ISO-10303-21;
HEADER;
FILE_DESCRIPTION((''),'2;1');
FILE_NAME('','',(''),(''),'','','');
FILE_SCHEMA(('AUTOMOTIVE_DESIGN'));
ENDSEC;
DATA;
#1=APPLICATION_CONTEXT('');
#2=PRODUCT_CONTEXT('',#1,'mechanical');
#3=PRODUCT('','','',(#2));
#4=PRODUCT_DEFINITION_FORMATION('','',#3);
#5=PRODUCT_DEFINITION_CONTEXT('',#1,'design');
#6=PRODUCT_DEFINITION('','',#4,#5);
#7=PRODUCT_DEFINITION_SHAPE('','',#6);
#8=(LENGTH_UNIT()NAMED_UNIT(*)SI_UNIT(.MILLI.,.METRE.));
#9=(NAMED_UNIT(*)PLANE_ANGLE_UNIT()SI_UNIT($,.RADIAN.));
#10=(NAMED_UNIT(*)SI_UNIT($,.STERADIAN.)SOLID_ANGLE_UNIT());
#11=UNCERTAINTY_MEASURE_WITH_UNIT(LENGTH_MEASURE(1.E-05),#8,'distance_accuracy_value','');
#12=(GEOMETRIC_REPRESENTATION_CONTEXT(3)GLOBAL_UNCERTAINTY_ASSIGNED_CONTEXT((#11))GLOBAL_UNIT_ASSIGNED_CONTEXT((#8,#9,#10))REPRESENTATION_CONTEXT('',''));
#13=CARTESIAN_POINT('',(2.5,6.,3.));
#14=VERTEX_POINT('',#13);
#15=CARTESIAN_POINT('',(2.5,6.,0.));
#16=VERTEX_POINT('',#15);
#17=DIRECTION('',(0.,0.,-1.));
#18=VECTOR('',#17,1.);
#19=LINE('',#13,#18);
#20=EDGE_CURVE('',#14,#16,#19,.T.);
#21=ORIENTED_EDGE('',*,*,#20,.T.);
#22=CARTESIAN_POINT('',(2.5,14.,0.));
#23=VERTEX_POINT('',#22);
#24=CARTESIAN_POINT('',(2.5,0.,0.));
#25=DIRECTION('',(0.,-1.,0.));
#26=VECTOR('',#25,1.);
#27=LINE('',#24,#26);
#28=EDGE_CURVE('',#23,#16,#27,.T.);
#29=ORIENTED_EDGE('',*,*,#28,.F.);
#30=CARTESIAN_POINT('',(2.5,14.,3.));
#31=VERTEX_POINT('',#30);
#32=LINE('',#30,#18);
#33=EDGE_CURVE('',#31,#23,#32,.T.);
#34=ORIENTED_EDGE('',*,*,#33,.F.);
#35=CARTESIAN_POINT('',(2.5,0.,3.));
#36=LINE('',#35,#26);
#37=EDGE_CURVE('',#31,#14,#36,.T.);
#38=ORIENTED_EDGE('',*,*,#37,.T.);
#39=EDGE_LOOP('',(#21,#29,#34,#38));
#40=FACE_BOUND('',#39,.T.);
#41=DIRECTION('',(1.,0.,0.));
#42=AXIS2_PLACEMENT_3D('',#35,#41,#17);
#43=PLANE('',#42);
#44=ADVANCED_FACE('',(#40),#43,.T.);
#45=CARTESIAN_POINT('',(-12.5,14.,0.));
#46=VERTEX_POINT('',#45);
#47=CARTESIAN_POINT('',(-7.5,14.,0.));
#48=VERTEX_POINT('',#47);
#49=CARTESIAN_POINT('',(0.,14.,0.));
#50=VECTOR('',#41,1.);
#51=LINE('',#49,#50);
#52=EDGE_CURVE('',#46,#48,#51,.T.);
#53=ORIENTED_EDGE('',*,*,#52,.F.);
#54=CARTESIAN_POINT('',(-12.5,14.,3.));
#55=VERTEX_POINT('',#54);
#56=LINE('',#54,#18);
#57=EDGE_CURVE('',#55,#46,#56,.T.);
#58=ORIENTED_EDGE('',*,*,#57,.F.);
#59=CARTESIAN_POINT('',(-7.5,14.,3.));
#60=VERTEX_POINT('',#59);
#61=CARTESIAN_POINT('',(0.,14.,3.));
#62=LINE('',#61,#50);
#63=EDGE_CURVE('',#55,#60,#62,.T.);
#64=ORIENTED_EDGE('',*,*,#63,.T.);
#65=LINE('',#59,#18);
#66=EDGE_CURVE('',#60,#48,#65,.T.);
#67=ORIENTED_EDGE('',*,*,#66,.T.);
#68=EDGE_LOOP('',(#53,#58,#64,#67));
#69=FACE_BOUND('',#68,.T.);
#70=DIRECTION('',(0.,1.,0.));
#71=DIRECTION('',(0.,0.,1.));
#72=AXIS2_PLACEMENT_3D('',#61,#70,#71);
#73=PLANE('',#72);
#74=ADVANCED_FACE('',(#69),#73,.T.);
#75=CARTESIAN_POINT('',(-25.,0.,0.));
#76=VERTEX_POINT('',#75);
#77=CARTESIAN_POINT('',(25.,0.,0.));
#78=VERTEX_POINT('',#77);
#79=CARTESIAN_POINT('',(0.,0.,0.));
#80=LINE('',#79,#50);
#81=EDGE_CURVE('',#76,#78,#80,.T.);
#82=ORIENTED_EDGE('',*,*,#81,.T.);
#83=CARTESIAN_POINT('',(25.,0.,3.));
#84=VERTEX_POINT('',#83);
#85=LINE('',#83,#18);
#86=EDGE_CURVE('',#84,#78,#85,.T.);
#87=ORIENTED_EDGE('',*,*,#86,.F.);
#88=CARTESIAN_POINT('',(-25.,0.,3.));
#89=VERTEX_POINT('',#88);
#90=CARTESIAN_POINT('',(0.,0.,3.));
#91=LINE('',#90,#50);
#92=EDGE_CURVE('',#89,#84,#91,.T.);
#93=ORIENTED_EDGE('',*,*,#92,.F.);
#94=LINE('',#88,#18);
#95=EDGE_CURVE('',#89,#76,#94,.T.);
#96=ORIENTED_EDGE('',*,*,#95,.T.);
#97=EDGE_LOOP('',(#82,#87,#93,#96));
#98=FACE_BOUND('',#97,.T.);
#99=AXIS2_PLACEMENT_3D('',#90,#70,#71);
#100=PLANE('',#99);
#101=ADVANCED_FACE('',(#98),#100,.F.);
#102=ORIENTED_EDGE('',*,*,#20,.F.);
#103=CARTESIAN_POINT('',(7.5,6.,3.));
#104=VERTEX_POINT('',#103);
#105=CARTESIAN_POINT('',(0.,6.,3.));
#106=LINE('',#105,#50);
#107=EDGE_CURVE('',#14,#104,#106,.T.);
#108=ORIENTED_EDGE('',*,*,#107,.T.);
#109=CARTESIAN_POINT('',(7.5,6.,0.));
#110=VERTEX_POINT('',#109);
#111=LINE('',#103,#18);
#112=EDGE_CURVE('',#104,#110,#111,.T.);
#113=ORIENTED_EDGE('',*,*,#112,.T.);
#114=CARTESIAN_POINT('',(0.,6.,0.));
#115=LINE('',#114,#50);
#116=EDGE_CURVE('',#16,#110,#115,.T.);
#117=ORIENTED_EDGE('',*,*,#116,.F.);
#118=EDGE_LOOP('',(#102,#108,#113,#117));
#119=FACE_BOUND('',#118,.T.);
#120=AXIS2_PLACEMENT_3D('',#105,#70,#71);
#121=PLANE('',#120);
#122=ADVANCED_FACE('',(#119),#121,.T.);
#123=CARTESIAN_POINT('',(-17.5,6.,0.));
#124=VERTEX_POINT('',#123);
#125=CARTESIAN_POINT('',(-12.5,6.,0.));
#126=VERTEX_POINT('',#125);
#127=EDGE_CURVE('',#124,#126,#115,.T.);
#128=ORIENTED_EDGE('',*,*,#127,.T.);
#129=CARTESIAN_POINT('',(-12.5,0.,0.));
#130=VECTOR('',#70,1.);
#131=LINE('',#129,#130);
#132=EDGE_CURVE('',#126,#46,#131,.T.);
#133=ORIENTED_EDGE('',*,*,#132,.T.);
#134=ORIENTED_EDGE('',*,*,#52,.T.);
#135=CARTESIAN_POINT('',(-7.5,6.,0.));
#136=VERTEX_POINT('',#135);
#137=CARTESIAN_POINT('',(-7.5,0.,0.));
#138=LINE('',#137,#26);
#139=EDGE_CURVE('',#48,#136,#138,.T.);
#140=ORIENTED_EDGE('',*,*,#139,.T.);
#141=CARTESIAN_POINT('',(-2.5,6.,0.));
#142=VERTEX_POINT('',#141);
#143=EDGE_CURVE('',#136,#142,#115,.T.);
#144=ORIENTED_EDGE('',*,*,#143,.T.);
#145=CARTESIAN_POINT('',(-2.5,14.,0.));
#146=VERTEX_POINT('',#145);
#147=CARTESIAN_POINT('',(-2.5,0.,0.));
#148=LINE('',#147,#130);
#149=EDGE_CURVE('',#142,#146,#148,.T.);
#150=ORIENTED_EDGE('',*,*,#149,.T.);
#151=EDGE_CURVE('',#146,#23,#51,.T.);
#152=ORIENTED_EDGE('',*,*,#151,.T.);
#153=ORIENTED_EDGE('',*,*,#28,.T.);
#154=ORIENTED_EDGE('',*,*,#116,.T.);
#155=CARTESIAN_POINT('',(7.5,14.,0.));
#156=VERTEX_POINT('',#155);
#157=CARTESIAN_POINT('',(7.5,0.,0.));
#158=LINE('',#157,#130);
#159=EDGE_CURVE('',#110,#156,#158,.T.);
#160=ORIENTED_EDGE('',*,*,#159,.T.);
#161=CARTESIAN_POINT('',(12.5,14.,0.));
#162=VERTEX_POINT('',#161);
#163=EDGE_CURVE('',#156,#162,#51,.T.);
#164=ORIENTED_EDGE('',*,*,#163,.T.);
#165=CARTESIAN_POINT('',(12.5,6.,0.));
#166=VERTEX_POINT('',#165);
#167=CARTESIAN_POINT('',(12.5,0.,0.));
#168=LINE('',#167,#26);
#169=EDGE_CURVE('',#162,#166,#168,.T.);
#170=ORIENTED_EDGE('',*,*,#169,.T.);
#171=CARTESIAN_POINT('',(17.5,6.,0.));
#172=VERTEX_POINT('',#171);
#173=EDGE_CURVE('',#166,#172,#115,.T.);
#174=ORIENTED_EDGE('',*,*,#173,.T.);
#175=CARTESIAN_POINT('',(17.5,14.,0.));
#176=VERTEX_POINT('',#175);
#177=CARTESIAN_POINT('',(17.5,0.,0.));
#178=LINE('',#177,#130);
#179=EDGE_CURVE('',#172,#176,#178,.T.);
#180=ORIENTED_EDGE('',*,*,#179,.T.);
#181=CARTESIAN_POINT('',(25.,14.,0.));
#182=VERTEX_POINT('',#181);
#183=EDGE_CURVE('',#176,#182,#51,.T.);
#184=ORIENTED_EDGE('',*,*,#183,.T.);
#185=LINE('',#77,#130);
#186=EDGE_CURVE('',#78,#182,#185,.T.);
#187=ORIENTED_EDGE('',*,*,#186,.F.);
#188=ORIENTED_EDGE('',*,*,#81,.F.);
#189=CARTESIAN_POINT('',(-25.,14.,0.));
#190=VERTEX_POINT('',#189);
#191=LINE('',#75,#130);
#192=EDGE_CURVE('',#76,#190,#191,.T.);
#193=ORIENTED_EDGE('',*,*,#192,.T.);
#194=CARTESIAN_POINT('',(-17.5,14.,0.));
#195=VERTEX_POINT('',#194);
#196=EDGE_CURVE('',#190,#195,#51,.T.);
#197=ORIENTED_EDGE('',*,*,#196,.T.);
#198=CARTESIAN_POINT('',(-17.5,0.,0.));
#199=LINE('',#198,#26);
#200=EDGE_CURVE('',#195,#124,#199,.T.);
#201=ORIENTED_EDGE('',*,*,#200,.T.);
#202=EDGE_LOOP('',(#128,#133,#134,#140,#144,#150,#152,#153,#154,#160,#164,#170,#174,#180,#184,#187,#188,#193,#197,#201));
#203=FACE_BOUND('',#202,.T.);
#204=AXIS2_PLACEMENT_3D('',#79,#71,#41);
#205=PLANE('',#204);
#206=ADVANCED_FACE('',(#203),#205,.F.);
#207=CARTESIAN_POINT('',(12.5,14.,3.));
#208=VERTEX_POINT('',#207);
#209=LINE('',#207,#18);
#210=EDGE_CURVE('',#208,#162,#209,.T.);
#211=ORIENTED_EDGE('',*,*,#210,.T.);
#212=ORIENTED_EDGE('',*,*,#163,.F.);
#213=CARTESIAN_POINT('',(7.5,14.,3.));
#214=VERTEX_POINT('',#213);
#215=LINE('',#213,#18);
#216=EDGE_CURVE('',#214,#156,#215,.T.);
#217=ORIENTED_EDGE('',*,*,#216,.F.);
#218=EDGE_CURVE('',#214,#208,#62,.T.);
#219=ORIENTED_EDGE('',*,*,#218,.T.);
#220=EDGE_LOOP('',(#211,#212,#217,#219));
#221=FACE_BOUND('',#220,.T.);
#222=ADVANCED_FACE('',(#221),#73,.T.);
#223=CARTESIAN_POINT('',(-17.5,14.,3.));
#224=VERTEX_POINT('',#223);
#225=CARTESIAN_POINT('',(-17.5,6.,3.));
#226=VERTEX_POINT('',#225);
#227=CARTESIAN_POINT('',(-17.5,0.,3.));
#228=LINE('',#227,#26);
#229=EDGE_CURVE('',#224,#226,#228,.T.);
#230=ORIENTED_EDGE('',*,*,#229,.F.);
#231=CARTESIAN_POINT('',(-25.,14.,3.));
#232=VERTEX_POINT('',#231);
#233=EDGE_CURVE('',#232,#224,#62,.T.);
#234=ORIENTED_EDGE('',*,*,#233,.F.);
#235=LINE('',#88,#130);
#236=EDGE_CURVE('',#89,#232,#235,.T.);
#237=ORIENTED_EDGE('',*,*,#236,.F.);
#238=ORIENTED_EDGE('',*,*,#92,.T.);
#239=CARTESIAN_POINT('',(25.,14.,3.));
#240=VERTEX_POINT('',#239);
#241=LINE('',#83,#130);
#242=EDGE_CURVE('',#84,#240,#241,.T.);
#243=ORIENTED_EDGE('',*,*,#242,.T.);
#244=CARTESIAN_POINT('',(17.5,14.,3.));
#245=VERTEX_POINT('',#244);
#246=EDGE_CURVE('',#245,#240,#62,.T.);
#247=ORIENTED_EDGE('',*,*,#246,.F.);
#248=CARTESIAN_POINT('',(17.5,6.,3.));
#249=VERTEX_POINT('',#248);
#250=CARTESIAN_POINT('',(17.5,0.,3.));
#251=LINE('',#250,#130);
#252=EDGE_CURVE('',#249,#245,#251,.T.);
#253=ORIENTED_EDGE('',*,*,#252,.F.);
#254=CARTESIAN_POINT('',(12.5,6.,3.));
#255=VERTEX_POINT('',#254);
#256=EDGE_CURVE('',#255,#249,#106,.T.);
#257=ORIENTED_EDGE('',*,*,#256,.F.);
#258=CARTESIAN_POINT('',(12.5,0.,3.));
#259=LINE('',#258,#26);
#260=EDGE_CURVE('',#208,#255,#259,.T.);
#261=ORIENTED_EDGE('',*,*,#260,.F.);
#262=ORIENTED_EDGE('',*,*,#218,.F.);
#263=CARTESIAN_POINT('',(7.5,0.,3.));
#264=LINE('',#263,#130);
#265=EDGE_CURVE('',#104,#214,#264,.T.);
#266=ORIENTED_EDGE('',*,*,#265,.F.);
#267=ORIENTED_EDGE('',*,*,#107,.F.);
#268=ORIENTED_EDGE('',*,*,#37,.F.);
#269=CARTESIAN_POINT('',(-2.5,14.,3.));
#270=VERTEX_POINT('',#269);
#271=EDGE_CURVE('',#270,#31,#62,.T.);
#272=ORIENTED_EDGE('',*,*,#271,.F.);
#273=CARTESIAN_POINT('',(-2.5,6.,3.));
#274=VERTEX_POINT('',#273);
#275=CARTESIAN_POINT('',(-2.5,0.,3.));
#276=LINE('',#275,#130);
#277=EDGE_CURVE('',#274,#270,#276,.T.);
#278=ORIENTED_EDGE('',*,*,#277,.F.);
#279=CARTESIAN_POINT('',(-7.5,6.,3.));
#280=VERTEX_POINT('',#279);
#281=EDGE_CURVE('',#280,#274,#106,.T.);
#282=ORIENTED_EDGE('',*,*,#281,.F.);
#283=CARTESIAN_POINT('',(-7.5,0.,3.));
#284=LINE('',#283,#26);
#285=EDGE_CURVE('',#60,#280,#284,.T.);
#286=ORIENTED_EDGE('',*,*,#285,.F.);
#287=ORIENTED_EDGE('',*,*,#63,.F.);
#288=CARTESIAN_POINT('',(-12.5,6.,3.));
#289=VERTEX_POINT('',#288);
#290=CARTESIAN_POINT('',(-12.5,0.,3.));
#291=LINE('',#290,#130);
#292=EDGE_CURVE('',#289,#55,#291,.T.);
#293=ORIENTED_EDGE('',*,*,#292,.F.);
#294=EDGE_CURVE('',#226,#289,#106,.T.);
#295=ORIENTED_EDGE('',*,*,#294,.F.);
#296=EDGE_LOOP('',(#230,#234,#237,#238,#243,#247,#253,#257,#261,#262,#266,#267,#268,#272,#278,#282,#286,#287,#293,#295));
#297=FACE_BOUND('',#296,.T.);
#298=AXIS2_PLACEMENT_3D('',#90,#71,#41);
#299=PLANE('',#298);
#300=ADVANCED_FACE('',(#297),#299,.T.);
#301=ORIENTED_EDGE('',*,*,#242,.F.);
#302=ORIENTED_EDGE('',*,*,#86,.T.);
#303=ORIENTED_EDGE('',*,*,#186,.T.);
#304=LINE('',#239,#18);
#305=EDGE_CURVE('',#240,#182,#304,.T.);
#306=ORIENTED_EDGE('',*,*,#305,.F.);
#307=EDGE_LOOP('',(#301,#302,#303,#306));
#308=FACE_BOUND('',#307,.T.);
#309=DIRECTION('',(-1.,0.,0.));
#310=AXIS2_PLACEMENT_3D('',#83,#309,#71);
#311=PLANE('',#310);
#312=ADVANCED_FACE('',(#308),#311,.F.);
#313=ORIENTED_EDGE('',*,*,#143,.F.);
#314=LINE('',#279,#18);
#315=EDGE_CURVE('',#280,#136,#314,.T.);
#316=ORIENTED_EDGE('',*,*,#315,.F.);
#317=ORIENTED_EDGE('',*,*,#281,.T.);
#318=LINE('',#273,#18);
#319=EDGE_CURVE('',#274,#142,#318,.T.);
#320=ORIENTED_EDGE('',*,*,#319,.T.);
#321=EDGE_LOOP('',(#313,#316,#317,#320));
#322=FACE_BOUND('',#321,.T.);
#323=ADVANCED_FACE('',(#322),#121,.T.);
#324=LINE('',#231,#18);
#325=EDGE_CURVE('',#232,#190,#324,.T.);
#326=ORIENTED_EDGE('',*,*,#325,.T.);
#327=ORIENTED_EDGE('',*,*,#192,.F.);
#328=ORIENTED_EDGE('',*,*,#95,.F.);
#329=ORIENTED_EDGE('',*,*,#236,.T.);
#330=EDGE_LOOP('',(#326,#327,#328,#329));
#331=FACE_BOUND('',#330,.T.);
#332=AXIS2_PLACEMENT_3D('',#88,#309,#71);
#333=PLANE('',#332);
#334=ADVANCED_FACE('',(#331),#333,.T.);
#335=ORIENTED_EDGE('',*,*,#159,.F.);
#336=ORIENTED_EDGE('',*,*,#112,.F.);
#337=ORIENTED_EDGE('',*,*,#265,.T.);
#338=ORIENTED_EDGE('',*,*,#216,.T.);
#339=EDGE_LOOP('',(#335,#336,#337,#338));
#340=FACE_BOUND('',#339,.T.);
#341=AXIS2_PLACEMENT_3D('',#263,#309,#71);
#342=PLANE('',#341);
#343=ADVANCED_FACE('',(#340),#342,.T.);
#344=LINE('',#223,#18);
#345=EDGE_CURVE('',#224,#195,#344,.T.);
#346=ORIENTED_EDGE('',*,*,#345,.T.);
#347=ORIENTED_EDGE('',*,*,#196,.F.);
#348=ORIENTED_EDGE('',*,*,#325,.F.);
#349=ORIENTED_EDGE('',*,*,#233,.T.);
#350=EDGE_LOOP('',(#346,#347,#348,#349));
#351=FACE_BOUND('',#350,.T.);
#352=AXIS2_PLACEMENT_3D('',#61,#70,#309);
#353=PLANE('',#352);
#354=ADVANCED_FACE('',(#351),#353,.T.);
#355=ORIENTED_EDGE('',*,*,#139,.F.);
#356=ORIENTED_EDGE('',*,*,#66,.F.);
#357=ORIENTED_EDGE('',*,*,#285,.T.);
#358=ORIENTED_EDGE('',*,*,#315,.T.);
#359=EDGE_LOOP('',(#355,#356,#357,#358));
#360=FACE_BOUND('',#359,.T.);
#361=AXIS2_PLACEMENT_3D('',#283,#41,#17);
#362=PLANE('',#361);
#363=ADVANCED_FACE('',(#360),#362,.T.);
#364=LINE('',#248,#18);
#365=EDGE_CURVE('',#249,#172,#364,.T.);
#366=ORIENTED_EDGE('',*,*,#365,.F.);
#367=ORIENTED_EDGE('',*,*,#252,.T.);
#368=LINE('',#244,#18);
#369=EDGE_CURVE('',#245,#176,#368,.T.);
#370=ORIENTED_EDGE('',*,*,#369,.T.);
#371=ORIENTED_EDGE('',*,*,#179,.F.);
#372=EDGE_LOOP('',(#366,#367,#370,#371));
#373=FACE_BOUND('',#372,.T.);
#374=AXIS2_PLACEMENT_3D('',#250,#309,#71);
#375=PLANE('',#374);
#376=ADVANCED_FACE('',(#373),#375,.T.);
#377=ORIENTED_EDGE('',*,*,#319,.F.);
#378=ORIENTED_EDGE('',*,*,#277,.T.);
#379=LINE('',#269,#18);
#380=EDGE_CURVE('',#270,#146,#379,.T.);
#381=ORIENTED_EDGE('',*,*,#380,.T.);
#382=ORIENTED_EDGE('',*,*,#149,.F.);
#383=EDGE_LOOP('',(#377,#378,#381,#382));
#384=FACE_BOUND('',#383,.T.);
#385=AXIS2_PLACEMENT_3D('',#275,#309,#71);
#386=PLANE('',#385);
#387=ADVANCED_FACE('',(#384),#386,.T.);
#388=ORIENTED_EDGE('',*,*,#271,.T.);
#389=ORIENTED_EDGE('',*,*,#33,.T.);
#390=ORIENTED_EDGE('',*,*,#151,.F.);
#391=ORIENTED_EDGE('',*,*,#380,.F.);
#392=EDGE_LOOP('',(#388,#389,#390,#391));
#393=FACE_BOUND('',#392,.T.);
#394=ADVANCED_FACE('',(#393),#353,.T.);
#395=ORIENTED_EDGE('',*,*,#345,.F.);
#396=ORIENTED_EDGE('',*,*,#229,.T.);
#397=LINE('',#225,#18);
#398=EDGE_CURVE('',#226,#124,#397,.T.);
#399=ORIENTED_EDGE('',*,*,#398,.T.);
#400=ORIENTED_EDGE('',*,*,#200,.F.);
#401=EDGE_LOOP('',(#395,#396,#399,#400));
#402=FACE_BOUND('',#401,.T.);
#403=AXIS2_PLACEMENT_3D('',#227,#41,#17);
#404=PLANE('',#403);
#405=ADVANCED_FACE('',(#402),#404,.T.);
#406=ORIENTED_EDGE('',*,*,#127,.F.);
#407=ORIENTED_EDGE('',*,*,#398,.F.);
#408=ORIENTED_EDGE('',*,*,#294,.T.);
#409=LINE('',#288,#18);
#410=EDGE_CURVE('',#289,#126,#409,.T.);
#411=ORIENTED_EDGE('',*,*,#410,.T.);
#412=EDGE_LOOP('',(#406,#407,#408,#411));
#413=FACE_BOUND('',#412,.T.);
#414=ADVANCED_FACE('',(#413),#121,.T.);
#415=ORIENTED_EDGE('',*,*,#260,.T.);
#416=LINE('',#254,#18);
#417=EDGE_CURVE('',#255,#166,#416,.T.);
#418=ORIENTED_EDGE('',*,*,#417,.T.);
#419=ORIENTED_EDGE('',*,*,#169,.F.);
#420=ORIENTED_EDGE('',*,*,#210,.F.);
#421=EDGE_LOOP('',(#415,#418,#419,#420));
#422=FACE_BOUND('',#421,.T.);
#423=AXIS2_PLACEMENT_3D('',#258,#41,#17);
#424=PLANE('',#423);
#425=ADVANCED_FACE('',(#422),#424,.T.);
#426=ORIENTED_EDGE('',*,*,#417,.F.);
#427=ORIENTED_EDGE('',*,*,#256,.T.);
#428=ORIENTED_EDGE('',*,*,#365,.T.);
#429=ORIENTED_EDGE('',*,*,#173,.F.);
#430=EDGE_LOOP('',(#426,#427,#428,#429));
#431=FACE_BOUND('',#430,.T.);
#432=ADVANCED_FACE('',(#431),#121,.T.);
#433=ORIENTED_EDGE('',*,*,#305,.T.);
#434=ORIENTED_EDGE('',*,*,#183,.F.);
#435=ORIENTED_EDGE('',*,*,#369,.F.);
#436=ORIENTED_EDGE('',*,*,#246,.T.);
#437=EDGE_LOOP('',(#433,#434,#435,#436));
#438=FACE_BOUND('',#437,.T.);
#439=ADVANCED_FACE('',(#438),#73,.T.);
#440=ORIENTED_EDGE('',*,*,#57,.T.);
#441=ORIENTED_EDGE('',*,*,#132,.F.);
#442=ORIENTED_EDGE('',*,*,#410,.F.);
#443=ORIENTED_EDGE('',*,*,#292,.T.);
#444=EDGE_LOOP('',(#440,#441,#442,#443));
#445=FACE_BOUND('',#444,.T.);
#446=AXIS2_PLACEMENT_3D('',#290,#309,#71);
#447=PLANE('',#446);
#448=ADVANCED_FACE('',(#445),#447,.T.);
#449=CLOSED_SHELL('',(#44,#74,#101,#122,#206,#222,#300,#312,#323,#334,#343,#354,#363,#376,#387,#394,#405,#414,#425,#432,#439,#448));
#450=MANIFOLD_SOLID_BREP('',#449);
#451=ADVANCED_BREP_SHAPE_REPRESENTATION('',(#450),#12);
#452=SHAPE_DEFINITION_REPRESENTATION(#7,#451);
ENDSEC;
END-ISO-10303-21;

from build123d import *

# Parameters (mm, degrees)
BOSS_EXTRUDE1_DEPTH = 3


with BuildPart() as part:
    # Sketch1 → Boss-Extrude1 (new body)
    with BuildSketch(Plane.XY):
        Polygon((17.5, 14), (25, 14), (25, 0), (-25, 0), (-25, 14), (-17.5, 14), (-17.5, 6), (-12.5, 6), (-12.5, 14), (-7.5, 14), (-7.5, 6), (-2.5, 6), (-2.5, 14), (2.5, 14), (2.5, 6), (7.5, 6), (7.5, 14), (12.5, 14), (12.5, 6), (17.5, 6), align=None)
    extrude(amount=BOSS_EXTRUDE1_DEPTH)


solid = part.part
